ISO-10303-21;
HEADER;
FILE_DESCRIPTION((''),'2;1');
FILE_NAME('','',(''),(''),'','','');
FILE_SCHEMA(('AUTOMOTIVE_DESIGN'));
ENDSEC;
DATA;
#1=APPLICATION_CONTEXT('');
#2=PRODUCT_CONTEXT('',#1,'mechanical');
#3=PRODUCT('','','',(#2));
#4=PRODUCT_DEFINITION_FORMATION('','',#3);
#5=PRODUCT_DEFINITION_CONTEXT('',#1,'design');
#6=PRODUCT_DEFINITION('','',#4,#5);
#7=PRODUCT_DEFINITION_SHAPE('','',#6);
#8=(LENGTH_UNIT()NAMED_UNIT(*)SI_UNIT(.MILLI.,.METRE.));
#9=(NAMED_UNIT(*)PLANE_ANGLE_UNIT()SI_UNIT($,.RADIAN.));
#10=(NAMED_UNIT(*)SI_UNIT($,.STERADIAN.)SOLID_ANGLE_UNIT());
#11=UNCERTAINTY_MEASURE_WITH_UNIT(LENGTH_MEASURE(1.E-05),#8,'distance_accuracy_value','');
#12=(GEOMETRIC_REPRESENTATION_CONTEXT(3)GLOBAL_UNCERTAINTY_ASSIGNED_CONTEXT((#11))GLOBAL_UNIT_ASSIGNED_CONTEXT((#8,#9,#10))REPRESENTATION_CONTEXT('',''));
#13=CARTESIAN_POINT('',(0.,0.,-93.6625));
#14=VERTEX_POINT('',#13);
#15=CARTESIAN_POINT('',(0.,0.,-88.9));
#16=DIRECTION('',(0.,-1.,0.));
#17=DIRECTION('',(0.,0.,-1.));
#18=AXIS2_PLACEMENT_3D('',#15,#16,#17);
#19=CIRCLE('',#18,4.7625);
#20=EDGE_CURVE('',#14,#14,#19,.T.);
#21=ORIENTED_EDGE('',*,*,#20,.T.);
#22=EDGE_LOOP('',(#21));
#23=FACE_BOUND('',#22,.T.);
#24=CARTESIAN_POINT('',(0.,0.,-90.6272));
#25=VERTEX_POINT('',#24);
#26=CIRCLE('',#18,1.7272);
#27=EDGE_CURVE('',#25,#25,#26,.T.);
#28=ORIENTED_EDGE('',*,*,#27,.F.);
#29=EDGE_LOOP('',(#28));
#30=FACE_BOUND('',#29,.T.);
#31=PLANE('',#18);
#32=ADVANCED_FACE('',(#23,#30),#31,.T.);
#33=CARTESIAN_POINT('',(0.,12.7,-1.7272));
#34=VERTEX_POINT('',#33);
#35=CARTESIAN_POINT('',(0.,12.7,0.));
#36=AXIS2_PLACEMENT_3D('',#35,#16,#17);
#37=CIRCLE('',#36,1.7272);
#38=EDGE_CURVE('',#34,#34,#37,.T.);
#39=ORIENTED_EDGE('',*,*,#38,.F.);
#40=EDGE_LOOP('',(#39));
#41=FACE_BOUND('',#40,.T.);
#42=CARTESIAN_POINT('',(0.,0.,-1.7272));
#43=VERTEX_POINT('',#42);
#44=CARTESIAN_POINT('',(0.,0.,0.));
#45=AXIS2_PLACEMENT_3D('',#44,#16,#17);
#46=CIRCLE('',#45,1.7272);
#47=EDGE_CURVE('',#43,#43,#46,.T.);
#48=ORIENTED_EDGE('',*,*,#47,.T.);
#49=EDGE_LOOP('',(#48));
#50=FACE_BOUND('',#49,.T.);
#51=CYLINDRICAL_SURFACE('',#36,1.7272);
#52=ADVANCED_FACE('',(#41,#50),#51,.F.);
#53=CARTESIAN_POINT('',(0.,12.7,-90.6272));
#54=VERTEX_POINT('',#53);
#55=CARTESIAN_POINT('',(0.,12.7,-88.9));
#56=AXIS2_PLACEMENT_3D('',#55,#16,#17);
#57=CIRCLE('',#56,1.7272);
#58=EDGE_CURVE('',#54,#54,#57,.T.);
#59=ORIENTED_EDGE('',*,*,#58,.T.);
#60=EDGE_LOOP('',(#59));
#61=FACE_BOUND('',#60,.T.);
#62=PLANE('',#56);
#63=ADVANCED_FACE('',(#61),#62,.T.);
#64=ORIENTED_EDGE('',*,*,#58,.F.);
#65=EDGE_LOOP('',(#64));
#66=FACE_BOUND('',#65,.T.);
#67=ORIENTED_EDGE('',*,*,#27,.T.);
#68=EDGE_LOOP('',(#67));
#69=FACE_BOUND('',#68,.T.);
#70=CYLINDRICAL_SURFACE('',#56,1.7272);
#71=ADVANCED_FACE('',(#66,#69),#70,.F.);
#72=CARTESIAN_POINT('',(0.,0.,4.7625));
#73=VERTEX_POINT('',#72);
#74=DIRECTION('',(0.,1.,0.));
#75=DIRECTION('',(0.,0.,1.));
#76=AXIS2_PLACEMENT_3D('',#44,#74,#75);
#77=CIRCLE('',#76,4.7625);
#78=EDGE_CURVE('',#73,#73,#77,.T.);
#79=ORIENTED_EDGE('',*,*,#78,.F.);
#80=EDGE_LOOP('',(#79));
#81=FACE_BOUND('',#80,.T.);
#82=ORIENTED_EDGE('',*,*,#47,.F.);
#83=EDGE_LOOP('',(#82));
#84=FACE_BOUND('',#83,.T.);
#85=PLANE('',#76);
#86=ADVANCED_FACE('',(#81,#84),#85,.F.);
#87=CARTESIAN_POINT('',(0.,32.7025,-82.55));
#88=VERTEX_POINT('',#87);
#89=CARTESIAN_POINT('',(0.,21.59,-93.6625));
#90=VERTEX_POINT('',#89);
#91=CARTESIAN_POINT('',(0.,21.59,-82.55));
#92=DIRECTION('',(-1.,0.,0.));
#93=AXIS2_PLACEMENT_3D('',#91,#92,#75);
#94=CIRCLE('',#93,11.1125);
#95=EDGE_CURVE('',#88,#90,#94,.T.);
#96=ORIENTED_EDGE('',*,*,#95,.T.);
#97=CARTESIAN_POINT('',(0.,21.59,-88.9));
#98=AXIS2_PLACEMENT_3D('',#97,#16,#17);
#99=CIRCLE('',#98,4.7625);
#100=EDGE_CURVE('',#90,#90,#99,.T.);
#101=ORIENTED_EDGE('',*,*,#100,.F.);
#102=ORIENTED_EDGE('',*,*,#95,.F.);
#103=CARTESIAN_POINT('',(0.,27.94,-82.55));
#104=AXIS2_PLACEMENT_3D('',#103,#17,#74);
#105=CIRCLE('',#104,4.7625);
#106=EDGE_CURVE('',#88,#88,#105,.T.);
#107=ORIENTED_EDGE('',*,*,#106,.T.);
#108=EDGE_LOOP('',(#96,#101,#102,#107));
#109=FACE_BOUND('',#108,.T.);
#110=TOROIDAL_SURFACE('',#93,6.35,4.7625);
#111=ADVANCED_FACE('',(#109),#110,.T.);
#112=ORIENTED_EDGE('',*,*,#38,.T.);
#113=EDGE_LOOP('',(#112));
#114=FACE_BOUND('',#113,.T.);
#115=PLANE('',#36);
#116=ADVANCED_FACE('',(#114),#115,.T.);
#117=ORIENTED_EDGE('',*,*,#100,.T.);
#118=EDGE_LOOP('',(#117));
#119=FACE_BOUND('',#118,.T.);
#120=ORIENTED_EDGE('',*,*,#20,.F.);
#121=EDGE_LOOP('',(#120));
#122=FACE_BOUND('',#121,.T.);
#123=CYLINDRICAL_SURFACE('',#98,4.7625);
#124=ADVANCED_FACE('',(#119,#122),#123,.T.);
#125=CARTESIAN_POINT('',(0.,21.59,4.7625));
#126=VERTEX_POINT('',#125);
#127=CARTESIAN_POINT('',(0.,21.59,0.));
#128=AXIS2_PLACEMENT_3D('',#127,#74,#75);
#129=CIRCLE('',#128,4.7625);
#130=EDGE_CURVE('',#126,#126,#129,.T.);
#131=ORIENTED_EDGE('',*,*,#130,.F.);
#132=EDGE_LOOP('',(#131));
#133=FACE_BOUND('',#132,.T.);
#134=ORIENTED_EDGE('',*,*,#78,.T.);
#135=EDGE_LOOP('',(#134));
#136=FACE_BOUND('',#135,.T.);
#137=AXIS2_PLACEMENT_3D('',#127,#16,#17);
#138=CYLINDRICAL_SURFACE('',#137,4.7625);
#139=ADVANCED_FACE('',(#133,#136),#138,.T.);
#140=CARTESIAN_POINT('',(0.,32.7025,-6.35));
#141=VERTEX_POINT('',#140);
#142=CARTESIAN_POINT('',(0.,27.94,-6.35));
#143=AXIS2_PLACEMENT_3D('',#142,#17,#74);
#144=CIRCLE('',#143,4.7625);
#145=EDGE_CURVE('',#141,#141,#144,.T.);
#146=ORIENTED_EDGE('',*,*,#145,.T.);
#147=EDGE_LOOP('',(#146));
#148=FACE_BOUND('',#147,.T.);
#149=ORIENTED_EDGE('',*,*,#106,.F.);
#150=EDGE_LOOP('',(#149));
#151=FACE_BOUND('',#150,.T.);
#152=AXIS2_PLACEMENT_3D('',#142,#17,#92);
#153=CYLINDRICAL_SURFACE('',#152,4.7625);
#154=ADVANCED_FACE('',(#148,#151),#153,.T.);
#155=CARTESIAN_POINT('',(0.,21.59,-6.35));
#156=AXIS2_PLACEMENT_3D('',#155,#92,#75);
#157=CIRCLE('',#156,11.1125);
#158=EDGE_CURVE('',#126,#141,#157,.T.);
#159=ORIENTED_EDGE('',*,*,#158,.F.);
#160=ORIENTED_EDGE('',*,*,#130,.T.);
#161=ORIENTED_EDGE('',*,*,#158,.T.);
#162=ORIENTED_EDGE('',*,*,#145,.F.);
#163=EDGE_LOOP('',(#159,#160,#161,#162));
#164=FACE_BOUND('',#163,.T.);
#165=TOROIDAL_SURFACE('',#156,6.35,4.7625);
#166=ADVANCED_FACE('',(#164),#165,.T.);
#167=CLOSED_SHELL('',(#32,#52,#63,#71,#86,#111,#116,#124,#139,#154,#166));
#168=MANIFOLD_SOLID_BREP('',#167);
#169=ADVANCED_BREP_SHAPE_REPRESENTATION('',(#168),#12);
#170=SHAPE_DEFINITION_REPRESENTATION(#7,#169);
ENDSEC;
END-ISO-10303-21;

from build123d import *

# Parameters (mm, degrees)
SKETCH2_R          = 4.7625
SKETCH3_R          = 1.7272
CUT_EXTRUDE1_DEPTH = 12.7


with BuildPart() as part:
    # Base-Sweep: sweep along a path in Sketch1
    with BuildLine(Plane(origin=(0, 0, 0), x_dir=(0, 0, -1), z_dir=(1, 0, 0))) as base_sweep_path:
        Line((0, 0), (0, 21.59))
        ThreePointArc((0, 21.59), (1.859871939, 26.080128061), (6.35, 27.94))
        Line((6.35, 27.94), (82.55, 27.94))
        ThreePointArc((82.55, 27.94), (87.040128061, 26.080128061), (88.9, 21.59))
        Line((88.9, 21.59), (88.9, 0))
    # Sketch2 → Base-Sweep (sweep)
    with BuildSketch(Plane(origin=(0, 0, 0), x_dir=(1, 0, 0), z_dir=(0, 1, 0))):
        Circle(SKETCH2_R)
    sweep(path=base_sweep_path.line)

    # Sketch3 → Cut-Extrude1 (cut)
    with BuildSketch(Plane.XZ):
        Circle(SKETCH3_R)
        with Locations((0, -88.9)):
            Circle(SKETCH3_R)
    extrude(amount=-CUT_EXTRUDE1_DEPTH, mode=Mode.SUBTRACT)


solid = part.part
